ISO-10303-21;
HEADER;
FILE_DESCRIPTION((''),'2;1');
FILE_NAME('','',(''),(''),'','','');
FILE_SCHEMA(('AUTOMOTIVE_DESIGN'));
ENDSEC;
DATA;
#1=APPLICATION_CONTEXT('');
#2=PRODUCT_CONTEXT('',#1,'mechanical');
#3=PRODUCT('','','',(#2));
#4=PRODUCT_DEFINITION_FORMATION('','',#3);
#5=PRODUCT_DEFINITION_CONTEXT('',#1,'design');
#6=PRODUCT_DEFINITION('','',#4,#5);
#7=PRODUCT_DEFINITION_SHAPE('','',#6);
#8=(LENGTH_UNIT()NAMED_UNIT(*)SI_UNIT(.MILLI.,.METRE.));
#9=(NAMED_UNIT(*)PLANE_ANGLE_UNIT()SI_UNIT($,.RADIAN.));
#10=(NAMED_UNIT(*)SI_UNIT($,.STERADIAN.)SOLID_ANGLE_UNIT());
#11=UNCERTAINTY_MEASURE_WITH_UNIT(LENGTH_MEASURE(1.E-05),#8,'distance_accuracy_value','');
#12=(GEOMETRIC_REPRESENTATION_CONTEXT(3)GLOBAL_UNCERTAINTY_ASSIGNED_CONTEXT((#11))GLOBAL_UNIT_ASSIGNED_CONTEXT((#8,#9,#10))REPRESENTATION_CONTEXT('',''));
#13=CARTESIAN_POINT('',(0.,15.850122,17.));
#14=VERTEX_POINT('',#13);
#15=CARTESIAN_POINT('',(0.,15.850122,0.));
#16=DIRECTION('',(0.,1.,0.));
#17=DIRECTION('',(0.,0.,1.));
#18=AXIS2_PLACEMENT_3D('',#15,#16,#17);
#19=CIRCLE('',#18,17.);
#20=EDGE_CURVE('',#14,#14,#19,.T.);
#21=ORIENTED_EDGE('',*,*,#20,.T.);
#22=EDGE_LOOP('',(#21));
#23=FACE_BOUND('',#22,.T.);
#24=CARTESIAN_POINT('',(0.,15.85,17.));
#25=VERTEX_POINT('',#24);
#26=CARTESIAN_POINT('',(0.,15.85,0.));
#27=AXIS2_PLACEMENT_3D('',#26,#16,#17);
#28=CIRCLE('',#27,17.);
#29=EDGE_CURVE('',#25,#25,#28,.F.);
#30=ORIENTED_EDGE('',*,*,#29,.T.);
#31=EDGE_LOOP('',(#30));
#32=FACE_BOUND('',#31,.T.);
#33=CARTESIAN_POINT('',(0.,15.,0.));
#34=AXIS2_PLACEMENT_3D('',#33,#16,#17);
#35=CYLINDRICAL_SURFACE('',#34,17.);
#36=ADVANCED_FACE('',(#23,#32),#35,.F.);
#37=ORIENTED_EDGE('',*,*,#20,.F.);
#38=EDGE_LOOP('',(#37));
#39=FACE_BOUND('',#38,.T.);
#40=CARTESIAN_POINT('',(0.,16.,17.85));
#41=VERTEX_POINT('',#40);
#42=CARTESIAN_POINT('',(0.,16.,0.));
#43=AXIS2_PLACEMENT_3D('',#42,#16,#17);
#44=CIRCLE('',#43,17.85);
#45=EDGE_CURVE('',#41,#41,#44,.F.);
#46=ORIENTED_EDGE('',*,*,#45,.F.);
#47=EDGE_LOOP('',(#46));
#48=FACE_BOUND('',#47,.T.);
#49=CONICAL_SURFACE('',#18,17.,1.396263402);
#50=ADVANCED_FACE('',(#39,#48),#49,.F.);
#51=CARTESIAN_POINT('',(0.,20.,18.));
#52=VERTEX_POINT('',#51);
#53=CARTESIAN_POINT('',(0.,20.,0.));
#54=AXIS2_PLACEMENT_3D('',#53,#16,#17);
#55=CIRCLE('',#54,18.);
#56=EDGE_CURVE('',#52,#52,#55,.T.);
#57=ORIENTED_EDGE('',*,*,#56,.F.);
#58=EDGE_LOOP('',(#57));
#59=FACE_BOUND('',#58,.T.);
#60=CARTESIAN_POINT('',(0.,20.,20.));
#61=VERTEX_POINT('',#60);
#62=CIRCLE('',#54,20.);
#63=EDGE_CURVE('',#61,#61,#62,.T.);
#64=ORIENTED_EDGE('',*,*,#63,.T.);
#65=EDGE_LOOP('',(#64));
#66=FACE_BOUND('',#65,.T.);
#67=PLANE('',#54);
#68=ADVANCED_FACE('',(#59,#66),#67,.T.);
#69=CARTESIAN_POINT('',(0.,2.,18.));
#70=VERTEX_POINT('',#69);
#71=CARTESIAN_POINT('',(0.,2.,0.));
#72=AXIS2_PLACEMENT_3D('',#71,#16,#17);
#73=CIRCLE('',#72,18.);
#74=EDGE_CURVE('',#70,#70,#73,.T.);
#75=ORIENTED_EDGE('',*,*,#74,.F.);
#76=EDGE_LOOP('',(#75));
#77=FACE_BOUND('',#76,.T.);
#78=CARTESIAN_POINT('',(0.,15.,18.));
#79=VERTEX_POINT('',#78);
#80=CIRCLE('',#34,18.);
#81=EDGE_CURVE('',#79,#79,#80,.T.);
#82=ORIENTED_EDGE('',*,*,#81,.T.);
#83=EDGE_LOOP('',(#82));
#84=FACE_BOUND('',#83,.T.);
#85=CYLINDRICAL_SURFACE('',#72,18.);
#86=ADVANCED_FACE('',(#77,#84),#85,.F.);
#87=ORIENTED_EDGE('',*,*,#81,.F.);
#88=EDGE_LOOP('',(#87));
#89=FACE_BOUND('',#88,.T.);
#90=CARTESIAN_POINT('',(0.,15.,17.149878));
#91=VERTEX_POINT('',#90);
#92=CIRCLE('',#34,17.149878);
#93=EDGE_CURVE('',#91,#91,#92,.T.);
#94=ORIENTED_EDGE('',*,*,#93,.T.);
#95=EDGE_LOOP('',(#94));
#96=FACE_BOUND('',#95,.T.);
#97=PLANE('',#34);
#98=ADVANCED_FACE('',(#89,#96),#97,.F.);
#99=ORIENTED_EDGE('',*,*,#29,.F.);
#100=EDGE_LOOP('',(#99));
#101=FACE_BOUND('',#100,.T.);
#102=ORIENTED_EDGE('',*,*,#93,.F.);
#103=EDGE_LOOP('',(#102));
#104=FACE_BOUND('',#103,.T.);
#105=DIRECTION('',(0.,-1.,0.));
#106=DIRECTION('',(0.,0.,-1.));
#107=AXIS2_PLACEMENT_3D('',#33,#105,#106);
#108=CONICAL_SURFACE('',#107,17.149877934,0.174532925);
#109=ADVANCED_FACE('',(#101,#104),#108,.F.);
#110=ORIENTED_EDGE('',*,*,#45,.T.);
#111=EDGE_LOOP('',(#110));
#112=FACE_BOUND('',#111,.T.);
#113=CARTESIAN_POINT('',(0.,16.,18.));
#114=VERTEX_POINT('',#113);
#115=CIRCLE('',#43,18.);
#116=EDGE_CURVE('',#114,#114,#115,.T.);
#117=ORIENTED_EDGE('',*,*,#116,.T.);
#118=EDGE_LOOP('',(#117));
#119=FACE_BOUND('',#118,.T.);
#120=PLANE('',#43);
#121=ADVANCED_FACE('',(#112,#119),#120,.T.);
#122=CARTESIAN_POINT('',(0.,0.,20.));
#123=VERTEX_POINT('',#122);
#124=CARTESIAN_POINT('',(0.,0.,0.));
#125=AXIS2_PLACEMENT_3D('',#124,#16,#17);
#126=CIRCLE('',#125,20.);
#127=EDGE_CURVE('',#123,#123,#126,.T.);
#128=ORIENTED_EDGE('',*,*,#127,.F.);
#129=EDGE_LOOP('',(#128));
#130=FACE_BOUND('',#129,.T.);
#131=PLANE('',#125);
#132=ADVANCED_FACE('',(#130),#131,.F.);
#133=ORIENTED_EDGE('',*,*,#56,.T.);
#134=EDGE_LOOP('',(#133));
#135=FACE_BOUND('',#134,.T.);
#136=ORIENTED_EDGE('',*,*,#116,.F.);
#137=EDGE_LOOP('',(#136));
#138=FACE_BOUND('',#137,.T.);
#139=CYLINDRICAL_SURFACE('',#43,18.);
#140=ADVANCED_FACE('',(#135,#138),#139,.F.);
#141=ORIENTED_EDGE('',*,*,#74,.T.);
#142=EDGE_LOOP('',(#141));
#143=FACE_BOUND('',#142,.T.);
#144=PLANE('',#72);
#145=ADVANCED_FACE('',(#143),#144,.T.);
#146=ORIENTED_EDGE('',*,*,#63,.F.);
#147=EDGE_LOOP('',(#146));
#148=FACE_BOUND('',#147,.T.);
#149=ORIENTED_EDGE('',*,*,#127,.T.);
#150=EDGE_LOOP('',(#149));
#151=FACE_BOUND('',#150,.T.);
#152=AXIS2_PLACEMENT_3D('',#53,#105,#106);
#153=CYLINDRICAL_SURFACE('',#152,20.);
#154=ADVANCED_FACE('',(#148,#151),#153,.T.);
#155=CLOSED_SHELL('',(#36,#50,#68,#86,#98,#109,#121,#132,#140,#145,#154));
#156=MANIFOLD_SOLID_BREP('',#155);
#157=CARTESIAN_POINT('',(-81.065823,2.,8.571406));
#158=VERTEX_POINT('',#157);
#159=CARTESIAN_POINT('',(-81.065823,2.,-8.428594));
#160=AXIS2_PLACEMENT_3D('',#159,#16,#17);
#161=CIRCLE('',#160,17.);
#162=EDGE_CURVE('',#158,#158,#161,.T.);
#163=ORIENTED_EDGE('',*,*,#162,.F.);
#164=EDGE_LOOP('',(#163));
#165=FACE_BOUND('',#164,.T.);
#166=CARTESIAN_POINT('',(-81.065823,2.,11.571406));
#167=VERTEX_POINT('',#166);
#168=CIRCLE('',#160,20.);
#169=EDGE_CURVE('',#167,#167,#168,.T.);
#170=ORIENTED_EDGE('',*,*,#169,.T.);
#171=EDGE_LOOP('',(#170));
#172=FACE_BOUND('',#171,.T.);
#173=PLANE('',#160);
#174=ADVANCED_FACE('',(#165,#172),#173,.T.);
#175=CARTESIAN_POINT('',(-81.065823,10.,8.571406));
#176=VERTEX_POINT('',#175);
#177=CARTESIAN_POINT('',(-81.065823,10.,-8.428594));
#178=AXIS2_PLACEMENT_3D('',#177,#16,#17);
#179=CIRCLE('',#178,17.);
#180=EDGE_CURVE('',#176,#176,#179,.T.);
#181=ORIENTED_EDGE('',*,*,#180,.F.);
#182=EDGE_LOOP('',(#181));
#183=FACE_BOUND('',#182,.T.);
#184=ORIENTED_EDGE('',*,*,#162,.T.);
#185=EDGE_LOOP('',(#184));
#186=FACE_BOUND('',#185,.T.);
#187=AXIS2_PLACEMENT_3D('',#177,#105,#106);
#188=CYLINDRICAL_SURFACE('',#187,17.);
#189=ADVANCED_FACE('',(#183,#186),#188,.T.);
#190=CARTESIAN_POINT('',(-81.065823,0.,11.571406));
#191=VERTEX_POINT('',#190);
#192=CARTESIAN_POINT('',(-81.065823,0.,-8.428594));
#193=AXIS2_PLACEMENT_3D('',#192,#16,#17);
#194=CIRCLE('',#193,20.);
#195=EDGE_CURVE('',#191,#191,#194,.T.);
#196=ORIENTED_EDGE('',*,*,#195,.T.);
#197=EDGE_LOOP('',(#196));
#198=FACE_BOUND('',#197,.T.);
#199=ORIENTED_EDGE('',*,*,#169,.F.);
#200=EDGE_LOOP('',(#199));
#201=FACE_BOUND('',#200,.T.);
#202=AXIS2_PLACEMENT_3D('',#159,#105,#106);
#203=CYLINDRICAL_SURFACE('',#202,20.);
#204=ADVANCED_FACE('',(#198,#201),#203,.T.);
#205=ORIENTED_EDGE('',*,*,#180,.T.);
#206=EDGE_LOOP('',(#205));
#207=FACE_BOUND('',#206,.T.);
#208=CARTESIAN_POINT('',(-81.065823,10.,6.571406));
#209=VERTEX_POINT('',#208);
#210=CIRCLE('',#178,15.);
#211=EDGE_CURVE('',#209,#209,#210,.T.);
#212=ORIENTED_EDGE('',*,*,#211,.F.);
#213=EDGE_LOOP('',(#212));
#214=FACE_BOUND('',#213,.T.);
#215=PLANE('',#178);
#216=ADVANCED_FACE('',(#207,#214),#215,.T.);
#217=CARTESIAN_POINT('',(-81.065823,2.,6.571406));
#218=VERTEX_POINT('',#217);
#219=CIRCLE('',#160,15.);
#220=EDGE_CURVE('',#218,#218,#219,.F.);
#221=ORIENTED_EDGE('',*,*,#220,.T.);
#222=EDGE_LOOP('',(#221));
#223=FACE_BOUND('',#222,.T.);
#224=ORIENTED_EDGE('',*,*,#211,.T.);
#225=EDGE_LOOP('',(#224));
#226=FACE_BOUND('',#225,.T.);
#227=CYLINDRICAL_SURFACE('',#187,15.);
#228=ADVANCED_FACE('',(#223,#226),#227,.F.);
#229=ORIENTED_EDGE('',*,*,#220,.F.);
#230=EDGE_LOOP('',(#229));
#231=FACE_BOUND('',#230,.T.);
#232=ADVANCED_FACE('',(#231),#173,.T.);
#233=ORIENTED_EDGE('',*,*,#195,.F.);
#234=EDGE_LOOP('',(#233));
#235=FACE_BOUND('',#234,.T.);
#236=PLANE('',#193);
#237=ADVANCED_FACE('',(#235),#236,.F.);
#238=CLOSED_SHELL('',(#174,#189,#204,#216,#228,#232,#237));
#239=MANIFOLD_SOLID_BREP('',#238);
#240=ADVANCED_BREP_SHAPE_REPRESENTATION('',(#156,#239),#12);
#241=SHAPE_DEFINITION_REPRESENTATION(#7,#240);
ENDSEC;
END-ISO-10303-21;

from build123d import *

# Parameters (mm, degrees)
SKETCH1_R             = 20
BOSS_EXTRUDE2_DEPTH   = 20
SKETCH2_R             = 18
CUT_EXTRUDE1_DEPTH    = 4
SKETCH4_R             = 17
CUT_EXTRUDE2_DEPTH    = 1
SKETCH5_R             = 18
CUT_EXTRUDE4_DEPTH    = 13
CHAMFER1_SIZE         = 0.85
CHAMFER1_SIZE2        = 0.149877934
CHAMFER1_PART_2_SIZE  = 0.85
CHAMFER1_PART_2_SIZE2 = 0.149877934
SKETCH6_R             = 20
BOSS_EXTRUDE3_DEPTH   = 2
SKETCH8_R             = 17
SKETCH8_R_2           = 15
BOSS_EXTRUDE5_DEPTH   = 8


with BuildPart() as part:
    # Sketch1 → Boss-Extrude2 (new body)
    with BuildSketch(Plane(origin=(0, 0, 0), x_dir=(1, 0, 0), z_dir=(0, 1, 0))):
        Circle(SKETCH1_R)
    extrude(amount=BOSS_EXTRUDE2_DEPTH)

    # Sketch2 → Cut-Extrude1 (cut)
    with BuildSketch(Plane(origin=(0, 20, 0), x_dir=(1, 0, 0), z_dir=(0, 1, 0))):
        Circle(SKETCH2_R)
    extrude(amount=-CUT_EXTRUDE1_DEPTH, mode=Mode.SUBTRACT)

    # Sketch4 → Cut-Extrude2 (cut)
    with BuildSketch(Plane(origin=(0, 16, 0), x_dir=(1, 0, 0), z_dir=(0, 1, 0))):
        Circle(SKETCH4_R)
    extrude(amount=-CUT_EXTRUDE2_DEPTH, mode=Mode.SUBTRACT)

    # Sketch5 → Cut-Extrude4 (cut)
    with BuildSketch(Plane(origin=(0, 15, 0), x_dir=(1, 0, 0), z_dir=(0, 1, 0))):
        Circle(SKETCH5_R)
    extrude(amount=-CUT_EXTRUDE4_DEPTH, mode=Mode.SUBTRACT)

    # Chamfer1
    chamfer1_edges = [part.edges().sort_by_distance(p)[0] for p in [
        (-17, 16, 0),
    ]]
    chamfer1_side = [part.faces().sort_by_distance(p)[0] for p in [
        (-17.490883118, 16, 0),
    ]]
    chamfer(chamfer1_edges, length=CHAMFER1_SIZE, length2=CHAMFER1_SIZE2, reference=chamfer1_side[0])

    # Chamfer1 part 2
    chamfer1_part_2_edges = [part.edges().sort_by_distance(p)[0] for p in [
        (-17, 15, 0),
    ]]
    chamfer1_part_2_side = [part.faces().sort_by_distance(p)[0] for p in [
        (-17, 15.5, 0),
    ]]
    chamfer(chamfer1_part_2_edges, length=CHAMFER1_PART_2_SIZE, length2=CHAMFER1_PART_2_SIZE2, reference=chamfer1_part_2_side[0])


with BuildPart() as body_2:
    # Sketch6 → Boss-Extrude3 (new body)
    with BuildSketch(Plane(origin=(0, 0, 0), x_dir=(1, 0, 0), z_dir=(0, 1, 0))):
        with Locations((-81.065822517, 8.428593597)):
            Circle(SKETCH6_R)
    extrude(amount=BOSS_EXTRUDE3_DEPTH)

    # Sketch8 → Boss-Extrude5 (add)
    with BuildSketch(Plane(origin=(0, 2, 0), x_dir=(1, 0, 0), z_dir=(0, 1, 0))):
        with Locations((-81.065822517, 8.428593597)):
            Circle(SKETCH8_R)
        with Locations((-81.065822517, 8.428593597)):
            Circle(SKETCH8_R_2, mode=Mode.SUBTRACT)
    extrude(amount=BOSS_EXTRUDE5_DEPTH)


solid = Compound([part.part, body_2.part])
